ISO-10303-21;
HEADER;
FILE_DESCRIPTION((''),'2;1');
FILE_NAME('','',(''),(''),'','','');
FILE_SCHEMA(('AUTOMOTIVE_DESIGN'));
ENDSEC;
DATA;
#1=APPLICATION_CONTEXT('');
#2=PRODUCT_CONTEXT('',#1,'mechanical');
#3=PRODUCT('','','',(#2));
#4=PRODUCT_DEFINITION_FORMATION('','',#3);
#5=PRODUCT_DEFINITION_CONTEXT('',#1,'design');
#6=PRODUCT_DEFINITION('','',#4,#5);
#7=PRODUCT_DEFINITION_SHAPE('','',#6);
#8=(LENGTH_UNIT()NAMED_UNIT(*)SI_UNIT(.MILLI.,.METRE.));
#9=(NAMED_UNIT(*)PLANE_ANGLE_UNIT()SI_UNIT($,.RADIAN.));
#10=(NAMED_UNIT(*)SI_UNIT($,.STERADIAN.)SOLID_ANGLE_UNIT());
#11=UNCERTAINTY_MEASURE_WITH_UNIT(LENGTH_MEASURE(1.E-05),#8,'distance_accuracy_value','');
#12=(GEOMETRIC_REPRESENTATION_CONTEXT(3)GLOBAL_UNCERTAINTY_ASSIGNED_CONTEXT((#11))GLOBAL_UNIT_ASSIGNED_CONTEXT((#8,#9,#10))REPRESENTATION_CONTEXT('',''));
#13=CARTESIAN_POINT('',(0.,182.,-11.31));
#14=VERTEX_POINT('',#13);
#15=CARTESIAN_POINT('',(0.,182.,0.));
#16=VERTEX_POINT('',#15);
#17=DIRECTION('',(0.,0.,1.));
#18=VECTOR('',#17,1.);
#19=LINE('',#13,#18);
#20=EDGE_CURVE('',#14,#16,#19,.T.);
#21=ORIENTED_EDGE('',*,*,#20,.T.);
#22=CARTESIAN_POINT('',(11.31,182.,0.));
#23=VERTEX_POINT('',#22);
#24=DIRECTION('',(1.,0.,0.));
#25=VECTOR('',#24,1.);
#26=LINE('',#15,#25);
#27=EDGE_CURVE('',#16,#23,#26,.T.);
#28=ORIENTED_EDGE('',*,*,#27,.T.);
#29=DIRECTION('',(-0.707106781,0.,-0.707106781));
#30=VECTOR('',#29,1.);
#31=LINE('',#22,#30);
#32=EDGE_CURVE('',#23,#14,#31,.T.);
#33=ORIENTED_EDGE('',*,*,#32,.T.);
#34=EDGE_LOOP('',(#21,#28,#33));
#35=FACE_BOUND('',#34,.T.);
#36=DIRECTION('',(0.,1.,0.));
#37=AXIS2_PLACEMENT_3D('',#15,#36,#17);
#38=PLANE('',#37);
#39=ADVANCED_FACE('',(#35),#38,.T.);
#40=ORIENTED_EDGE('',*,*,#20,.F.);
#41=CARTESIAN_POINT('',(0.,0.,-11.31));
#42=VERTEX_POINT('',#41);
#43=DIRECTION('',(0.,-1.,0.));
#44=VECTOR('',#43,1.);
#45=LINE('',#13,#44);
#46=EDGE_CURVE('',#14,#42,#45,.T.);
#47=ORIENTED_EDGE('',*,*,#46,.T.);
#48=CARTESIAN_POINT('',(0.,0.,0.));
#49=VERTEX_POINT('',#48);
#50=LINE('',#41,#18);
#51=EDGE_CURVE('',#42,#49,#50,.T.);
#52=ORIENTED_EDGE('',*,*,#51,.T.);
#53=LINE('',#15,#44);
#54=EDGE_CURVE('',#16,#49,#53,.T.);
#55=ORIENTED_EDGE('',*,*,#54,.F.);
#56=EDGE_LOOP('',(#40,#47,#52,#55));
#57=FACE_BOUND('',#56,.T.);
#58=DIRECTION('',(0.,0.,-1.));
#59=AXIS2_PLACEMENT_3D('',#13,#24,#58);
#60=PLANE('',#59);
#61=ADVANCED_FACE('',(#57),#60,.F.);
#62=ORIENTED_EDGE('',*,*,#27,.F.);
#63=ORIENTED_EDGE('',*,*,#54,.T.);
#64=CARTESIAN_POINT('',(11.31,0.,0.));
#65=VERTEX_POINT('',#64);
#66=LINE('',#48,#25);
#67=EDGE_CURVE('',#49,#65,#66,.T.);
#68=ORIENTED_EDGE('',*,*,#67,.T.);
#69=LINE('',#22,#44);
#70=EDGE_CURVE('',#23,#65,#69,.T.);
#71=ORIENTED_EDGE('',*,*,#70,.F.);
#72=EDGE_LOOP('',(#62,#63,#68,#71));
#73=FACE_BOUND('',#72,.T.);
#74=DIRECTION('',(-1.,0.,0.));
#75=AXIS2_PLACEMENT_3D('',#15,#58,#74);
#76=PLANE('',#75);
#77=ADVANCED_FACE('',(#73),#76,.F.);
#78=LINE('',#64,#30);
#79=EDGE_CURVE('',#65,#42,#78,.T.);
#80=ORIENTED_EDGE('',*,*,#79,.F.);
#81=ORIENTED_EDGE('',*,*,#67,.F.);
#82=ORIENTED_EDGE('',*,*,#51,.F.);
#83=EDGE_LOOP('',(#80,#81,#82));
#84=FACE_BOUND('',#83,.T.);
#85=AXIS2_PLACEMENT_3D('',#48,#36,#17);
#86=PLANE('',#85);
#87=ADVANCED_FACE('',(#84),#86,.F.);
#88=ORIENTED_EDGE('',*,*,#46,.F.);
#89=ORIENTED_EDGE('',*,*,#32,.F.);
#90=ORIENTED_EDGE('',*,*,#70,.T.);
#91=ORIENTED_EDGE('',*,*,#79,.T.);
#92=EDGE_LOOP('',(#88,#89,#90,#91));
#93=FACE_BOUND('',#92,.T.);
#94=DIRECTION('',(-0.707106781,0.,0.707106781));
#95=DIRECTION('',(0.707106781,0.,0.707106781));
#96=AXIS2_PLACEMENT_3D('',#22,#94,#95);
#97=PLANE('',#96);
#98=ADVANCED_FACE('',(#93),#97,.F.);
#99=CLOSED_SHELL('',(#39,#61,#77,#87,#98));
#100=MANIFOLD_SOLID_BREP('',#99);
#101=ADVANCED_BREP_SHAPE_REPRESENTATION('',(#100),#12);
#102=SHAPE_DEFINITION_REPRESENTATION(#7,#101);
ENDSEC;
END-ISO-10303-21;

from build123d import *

# Parameters (mm, degrees)
BOSS_EXTRUDE1_DEPTH = 182


with BuildPart() as part:
    # Sketch2 → Boss-Extrude1 (new body)
    with BuildSketch(Plane(origin=(0, 0, 0), x_dir=(1, 0, 0), z_dir=(0, 1, 0))):
        Polygon((0, 0), (11.31, 0), (0, 11.31), align=None)
    extrude(amount=BOSS_EXTRUDE1_DEPTH)


solid = part.part
